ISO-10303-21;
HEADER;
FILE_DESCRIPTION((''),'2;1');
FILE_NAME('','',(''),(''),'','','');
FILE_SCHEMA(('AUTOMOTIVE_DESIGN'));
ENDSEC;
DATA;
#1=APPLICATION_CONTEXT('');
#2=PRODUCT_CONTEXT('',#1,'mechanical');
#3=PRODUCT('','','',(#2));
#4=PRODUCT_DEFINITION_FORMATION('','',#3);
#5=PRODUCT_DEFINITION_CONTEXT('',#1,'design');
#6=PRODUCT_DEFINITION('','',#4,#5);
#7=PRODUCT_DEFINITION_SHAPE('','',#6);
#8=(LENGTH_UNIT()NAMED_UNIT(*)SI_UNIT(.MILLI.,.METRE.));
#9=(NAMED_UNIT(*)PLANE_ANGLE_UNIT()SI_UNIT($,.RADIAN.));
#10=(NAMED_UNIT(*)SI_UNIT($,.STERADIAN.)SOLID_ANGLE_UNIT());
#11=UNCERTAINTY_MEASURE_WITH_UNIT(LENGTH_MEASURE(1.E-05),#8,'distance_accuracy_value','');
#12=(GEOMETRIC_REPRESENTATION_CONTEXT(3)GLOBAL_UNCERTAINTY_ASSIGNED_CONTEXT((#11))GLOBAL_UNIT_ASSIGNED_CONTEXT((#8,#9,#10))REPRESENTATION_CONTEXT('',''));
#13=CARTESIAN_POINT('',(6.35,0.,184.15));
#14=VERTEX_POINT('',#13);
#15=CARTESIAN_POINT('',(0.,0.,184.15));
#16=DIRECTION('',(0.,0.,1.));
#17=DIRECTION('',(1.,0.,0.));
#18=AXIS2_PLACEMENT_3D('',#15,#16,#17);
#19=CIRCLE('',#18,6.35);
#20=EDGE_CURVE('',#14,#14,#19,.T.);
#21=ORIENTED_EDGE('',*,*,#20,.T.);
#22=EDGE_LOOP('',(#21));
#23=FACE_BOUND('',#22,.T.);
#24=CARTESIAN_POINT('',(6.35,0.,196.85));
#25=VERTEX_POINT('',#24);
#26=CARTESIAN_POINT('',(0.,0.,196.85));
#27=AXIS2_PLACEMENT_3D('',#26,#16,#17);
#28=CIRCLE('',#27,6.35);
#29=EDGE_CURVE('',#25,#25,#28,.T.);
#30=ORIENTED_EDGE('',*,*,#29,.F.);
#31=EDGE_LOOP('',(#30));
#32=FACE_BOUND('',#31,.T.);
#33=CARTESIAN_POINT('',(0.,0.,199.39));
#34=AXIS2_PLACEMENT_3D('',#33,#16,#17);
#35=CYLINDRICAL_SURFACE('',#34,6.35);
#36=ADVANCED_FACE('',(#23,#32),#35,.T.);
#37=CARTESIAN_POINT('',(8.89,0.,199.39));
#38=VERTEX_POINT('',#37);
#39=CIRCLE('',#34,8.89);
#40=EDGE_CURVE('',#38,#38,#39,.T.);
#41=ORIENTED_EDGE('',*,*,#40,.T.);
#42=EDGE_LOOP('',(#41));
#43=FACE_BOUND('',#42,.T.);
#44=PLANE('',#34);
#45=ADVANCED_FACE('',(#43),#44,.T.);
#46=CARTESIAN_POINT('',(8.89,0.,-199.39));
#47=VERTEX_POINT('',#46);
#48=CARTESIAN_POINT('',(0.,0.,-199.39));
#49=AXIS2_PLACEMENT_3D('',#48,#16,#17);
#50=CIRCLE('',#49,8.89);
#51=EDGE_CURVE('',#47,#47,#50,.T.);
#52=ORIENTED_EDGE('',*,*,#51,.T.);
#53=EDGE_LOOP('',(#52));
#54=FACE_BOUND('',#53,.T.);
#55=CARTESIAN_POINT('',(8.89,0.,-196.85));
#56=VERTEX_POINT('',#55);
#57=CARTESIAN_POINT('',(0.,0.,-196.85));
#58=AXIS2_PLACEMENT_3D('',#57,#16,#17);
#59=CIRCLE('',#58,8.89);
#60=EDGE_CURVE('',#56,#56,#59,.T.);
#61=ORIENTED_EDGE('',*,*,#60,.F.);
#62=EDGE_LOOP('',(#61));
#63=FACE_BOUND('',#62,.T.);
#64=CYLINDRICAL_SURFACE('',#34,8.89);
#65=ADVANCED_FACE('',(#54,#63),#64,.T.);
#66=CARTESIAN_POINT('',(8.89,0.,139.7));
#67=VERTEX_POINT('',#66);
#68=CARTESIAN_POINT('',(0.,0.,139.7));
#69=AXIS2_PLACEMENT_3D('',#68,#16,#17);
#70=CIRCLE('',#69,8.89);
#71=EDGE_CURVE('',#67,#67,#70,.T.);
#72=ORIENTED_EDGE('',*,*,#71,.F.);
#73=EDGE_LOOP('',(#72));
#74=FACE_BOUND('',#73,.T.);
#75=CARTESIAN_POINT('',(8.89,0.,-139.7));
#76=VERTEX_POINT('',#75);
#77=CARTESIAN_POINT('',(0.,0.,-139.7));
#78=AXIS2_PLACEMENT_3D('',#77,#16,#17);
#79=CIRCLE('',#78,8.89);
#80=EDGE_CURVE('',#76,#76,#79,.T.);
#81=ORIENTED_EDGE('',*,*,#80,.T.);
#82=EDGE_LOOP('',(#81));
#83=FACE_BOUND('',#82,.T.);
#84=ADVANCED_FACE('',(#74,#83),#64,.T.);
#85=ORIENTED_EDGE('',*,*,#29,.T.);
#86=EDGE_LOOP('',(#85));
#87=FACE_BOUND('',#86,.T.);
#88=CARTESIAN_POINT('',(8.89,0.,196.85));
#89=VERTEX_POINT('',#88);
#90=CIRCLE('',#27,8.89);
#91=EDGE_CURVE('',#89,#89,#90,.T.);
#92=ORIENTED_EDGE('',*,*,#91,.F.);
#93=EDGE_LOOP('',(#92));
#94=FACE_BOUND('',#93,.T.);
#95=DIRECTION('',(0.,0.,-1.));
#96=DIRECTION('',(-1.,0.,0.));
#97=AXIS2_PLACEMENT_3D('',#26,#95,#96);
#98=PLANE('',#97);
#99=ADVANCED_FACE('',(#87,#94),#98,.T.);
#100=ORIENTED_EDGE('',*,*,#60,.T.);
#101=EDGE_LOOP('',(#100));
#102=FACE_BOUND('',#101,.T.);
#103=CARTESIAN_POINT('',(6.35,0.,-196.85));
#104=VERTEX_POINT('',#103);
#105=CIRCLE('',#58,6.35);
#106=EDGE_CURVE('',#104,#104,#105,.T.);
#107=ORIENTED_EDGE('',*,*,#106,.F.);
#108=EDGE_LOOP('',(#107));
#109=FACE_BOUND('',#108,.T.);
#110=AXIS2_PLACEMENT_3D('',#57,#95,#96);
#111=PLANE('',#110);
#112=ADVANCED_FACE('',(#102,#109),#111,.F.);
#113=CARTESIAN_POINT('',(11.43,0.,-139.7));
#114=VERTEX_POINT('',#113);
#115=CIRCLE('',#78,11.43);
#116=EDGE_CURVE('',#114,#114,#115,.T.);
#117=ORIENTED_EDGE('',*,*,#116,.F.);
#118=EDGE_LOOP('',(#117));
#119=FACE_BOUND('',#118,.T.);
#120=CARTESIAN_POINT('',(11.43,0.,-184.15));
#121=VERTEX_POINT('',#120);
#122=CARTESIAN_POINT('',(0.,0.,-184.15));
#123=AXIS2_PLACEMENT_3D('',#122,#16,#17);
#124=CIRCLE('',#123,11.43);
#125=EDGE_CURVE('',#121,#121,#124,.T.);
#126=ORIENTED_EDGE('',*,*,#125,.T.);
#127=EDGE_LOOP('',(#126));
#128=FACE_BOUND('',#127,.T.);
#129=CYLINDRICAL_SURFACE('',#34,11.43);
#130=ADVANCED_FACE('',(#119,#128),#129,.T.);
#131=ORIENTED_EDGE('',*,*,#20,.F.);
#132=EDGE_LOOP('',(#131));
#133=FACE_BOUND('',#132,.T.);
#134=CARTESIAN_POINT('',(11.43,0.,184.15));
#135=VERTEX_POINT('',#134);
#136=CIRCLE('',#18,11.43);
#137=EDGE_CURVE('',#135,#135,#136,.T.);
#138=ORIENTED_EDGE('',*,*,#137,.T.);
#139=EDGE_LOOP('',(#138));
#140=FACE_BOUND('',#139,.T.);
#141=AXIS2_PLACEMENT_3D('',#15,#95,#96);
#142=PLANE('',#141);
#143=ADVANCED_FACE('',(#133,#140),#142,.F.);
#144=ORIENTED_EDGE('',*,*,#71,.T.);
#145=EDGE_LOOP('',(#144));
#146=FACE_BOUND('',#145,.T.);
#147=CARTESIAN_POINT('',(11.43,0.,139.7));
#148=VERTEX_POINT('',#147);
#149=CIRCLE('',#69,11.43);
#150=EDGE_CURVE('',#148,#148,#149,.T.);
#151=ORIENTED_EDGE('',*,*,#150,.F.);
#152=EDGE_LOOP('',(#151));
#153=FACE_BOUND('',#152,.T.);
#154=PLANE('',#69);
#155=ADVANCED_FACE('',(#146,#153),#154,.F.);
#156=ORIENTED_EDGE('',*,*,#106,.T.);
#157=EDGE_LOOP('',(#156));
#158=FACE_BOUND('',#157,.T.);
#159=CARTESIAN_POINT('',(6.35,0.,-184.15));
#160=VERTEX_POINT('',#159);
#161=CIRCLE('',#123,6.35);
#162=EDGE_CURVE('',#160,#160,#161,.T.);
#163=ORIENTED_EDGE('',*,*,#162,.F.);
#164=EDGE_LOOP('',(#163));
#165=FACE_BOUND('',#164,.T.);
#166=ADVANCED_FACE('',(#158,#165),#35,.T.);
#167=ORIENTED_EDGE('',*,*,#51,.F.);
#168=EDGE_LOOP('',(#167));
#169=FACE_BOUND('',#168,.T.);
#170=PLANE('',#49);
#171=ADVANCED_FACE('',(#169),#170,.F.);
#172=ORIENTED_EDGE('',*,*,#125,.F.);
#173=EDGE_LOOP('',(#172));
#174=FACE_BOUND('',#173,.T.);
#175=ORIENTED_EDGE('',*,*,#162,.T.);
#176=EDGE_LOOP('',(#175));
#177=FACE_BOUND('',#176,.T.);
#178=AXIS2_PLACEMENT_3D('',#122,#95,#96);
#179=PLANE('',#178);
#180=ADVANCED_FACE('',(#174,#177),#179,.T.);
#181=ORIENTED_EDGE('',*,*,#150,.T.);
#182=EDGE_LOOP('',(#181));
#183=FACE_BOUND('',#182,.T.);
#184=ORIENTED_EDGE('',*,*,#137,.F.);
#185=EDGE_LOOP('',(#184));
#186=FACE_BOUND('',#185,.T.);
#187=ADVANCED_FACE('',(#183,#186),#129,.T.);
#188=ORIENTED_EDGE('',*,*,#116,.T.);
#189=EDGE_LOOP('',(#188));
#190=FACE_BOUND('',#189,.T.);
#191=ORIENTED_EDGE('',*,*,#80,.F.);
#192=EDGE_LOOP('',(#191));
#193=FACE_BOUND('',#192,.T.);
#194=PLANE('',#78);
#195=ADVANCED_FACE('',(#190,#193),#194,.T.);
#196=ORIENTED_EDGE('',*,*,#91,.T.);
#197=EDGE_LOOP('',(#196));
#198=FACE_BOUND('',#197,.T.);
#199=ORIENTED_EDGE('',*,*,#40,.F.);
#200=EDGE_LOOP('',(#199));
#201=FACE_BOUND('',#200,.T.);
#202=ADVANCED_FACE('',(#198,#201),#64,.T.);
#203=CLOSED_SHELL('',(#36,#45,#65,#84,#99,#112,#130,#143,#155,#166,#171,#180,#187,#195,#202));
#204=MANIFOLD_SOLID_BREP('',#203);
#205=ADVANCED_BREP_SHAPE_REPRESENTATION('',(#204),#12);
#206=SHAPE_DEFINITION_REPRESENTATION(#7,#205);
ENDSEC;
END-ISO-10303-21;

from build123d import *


with BuildPart() as part:
    # Sketch1 → Revolve2 (revolve)
    with BuildSketch(Plane(origin=(0, 0, 0), x_dir=(1, 0, 0), z_dir=(0, 1, 0))):
        Polygon((0, -199.39), (8.89, -199.39), (8.89, -196.85), (6.35, -196.85), (6.35, -184.15), (11.43, -184.15), (11.43, -139.7), (8.89, -139.7), (8.89, 139.7), (11.43, 139.7), (11.43, 184.15), (6.35, 184.15), (6.35, 196.85), (8.89, 196.85), (8.89, 199.39), (0, 199.39), align=None)
    revolve(axis=Axis((0, 0, 199.39), (0, 0, -1)))


solid = part.part
